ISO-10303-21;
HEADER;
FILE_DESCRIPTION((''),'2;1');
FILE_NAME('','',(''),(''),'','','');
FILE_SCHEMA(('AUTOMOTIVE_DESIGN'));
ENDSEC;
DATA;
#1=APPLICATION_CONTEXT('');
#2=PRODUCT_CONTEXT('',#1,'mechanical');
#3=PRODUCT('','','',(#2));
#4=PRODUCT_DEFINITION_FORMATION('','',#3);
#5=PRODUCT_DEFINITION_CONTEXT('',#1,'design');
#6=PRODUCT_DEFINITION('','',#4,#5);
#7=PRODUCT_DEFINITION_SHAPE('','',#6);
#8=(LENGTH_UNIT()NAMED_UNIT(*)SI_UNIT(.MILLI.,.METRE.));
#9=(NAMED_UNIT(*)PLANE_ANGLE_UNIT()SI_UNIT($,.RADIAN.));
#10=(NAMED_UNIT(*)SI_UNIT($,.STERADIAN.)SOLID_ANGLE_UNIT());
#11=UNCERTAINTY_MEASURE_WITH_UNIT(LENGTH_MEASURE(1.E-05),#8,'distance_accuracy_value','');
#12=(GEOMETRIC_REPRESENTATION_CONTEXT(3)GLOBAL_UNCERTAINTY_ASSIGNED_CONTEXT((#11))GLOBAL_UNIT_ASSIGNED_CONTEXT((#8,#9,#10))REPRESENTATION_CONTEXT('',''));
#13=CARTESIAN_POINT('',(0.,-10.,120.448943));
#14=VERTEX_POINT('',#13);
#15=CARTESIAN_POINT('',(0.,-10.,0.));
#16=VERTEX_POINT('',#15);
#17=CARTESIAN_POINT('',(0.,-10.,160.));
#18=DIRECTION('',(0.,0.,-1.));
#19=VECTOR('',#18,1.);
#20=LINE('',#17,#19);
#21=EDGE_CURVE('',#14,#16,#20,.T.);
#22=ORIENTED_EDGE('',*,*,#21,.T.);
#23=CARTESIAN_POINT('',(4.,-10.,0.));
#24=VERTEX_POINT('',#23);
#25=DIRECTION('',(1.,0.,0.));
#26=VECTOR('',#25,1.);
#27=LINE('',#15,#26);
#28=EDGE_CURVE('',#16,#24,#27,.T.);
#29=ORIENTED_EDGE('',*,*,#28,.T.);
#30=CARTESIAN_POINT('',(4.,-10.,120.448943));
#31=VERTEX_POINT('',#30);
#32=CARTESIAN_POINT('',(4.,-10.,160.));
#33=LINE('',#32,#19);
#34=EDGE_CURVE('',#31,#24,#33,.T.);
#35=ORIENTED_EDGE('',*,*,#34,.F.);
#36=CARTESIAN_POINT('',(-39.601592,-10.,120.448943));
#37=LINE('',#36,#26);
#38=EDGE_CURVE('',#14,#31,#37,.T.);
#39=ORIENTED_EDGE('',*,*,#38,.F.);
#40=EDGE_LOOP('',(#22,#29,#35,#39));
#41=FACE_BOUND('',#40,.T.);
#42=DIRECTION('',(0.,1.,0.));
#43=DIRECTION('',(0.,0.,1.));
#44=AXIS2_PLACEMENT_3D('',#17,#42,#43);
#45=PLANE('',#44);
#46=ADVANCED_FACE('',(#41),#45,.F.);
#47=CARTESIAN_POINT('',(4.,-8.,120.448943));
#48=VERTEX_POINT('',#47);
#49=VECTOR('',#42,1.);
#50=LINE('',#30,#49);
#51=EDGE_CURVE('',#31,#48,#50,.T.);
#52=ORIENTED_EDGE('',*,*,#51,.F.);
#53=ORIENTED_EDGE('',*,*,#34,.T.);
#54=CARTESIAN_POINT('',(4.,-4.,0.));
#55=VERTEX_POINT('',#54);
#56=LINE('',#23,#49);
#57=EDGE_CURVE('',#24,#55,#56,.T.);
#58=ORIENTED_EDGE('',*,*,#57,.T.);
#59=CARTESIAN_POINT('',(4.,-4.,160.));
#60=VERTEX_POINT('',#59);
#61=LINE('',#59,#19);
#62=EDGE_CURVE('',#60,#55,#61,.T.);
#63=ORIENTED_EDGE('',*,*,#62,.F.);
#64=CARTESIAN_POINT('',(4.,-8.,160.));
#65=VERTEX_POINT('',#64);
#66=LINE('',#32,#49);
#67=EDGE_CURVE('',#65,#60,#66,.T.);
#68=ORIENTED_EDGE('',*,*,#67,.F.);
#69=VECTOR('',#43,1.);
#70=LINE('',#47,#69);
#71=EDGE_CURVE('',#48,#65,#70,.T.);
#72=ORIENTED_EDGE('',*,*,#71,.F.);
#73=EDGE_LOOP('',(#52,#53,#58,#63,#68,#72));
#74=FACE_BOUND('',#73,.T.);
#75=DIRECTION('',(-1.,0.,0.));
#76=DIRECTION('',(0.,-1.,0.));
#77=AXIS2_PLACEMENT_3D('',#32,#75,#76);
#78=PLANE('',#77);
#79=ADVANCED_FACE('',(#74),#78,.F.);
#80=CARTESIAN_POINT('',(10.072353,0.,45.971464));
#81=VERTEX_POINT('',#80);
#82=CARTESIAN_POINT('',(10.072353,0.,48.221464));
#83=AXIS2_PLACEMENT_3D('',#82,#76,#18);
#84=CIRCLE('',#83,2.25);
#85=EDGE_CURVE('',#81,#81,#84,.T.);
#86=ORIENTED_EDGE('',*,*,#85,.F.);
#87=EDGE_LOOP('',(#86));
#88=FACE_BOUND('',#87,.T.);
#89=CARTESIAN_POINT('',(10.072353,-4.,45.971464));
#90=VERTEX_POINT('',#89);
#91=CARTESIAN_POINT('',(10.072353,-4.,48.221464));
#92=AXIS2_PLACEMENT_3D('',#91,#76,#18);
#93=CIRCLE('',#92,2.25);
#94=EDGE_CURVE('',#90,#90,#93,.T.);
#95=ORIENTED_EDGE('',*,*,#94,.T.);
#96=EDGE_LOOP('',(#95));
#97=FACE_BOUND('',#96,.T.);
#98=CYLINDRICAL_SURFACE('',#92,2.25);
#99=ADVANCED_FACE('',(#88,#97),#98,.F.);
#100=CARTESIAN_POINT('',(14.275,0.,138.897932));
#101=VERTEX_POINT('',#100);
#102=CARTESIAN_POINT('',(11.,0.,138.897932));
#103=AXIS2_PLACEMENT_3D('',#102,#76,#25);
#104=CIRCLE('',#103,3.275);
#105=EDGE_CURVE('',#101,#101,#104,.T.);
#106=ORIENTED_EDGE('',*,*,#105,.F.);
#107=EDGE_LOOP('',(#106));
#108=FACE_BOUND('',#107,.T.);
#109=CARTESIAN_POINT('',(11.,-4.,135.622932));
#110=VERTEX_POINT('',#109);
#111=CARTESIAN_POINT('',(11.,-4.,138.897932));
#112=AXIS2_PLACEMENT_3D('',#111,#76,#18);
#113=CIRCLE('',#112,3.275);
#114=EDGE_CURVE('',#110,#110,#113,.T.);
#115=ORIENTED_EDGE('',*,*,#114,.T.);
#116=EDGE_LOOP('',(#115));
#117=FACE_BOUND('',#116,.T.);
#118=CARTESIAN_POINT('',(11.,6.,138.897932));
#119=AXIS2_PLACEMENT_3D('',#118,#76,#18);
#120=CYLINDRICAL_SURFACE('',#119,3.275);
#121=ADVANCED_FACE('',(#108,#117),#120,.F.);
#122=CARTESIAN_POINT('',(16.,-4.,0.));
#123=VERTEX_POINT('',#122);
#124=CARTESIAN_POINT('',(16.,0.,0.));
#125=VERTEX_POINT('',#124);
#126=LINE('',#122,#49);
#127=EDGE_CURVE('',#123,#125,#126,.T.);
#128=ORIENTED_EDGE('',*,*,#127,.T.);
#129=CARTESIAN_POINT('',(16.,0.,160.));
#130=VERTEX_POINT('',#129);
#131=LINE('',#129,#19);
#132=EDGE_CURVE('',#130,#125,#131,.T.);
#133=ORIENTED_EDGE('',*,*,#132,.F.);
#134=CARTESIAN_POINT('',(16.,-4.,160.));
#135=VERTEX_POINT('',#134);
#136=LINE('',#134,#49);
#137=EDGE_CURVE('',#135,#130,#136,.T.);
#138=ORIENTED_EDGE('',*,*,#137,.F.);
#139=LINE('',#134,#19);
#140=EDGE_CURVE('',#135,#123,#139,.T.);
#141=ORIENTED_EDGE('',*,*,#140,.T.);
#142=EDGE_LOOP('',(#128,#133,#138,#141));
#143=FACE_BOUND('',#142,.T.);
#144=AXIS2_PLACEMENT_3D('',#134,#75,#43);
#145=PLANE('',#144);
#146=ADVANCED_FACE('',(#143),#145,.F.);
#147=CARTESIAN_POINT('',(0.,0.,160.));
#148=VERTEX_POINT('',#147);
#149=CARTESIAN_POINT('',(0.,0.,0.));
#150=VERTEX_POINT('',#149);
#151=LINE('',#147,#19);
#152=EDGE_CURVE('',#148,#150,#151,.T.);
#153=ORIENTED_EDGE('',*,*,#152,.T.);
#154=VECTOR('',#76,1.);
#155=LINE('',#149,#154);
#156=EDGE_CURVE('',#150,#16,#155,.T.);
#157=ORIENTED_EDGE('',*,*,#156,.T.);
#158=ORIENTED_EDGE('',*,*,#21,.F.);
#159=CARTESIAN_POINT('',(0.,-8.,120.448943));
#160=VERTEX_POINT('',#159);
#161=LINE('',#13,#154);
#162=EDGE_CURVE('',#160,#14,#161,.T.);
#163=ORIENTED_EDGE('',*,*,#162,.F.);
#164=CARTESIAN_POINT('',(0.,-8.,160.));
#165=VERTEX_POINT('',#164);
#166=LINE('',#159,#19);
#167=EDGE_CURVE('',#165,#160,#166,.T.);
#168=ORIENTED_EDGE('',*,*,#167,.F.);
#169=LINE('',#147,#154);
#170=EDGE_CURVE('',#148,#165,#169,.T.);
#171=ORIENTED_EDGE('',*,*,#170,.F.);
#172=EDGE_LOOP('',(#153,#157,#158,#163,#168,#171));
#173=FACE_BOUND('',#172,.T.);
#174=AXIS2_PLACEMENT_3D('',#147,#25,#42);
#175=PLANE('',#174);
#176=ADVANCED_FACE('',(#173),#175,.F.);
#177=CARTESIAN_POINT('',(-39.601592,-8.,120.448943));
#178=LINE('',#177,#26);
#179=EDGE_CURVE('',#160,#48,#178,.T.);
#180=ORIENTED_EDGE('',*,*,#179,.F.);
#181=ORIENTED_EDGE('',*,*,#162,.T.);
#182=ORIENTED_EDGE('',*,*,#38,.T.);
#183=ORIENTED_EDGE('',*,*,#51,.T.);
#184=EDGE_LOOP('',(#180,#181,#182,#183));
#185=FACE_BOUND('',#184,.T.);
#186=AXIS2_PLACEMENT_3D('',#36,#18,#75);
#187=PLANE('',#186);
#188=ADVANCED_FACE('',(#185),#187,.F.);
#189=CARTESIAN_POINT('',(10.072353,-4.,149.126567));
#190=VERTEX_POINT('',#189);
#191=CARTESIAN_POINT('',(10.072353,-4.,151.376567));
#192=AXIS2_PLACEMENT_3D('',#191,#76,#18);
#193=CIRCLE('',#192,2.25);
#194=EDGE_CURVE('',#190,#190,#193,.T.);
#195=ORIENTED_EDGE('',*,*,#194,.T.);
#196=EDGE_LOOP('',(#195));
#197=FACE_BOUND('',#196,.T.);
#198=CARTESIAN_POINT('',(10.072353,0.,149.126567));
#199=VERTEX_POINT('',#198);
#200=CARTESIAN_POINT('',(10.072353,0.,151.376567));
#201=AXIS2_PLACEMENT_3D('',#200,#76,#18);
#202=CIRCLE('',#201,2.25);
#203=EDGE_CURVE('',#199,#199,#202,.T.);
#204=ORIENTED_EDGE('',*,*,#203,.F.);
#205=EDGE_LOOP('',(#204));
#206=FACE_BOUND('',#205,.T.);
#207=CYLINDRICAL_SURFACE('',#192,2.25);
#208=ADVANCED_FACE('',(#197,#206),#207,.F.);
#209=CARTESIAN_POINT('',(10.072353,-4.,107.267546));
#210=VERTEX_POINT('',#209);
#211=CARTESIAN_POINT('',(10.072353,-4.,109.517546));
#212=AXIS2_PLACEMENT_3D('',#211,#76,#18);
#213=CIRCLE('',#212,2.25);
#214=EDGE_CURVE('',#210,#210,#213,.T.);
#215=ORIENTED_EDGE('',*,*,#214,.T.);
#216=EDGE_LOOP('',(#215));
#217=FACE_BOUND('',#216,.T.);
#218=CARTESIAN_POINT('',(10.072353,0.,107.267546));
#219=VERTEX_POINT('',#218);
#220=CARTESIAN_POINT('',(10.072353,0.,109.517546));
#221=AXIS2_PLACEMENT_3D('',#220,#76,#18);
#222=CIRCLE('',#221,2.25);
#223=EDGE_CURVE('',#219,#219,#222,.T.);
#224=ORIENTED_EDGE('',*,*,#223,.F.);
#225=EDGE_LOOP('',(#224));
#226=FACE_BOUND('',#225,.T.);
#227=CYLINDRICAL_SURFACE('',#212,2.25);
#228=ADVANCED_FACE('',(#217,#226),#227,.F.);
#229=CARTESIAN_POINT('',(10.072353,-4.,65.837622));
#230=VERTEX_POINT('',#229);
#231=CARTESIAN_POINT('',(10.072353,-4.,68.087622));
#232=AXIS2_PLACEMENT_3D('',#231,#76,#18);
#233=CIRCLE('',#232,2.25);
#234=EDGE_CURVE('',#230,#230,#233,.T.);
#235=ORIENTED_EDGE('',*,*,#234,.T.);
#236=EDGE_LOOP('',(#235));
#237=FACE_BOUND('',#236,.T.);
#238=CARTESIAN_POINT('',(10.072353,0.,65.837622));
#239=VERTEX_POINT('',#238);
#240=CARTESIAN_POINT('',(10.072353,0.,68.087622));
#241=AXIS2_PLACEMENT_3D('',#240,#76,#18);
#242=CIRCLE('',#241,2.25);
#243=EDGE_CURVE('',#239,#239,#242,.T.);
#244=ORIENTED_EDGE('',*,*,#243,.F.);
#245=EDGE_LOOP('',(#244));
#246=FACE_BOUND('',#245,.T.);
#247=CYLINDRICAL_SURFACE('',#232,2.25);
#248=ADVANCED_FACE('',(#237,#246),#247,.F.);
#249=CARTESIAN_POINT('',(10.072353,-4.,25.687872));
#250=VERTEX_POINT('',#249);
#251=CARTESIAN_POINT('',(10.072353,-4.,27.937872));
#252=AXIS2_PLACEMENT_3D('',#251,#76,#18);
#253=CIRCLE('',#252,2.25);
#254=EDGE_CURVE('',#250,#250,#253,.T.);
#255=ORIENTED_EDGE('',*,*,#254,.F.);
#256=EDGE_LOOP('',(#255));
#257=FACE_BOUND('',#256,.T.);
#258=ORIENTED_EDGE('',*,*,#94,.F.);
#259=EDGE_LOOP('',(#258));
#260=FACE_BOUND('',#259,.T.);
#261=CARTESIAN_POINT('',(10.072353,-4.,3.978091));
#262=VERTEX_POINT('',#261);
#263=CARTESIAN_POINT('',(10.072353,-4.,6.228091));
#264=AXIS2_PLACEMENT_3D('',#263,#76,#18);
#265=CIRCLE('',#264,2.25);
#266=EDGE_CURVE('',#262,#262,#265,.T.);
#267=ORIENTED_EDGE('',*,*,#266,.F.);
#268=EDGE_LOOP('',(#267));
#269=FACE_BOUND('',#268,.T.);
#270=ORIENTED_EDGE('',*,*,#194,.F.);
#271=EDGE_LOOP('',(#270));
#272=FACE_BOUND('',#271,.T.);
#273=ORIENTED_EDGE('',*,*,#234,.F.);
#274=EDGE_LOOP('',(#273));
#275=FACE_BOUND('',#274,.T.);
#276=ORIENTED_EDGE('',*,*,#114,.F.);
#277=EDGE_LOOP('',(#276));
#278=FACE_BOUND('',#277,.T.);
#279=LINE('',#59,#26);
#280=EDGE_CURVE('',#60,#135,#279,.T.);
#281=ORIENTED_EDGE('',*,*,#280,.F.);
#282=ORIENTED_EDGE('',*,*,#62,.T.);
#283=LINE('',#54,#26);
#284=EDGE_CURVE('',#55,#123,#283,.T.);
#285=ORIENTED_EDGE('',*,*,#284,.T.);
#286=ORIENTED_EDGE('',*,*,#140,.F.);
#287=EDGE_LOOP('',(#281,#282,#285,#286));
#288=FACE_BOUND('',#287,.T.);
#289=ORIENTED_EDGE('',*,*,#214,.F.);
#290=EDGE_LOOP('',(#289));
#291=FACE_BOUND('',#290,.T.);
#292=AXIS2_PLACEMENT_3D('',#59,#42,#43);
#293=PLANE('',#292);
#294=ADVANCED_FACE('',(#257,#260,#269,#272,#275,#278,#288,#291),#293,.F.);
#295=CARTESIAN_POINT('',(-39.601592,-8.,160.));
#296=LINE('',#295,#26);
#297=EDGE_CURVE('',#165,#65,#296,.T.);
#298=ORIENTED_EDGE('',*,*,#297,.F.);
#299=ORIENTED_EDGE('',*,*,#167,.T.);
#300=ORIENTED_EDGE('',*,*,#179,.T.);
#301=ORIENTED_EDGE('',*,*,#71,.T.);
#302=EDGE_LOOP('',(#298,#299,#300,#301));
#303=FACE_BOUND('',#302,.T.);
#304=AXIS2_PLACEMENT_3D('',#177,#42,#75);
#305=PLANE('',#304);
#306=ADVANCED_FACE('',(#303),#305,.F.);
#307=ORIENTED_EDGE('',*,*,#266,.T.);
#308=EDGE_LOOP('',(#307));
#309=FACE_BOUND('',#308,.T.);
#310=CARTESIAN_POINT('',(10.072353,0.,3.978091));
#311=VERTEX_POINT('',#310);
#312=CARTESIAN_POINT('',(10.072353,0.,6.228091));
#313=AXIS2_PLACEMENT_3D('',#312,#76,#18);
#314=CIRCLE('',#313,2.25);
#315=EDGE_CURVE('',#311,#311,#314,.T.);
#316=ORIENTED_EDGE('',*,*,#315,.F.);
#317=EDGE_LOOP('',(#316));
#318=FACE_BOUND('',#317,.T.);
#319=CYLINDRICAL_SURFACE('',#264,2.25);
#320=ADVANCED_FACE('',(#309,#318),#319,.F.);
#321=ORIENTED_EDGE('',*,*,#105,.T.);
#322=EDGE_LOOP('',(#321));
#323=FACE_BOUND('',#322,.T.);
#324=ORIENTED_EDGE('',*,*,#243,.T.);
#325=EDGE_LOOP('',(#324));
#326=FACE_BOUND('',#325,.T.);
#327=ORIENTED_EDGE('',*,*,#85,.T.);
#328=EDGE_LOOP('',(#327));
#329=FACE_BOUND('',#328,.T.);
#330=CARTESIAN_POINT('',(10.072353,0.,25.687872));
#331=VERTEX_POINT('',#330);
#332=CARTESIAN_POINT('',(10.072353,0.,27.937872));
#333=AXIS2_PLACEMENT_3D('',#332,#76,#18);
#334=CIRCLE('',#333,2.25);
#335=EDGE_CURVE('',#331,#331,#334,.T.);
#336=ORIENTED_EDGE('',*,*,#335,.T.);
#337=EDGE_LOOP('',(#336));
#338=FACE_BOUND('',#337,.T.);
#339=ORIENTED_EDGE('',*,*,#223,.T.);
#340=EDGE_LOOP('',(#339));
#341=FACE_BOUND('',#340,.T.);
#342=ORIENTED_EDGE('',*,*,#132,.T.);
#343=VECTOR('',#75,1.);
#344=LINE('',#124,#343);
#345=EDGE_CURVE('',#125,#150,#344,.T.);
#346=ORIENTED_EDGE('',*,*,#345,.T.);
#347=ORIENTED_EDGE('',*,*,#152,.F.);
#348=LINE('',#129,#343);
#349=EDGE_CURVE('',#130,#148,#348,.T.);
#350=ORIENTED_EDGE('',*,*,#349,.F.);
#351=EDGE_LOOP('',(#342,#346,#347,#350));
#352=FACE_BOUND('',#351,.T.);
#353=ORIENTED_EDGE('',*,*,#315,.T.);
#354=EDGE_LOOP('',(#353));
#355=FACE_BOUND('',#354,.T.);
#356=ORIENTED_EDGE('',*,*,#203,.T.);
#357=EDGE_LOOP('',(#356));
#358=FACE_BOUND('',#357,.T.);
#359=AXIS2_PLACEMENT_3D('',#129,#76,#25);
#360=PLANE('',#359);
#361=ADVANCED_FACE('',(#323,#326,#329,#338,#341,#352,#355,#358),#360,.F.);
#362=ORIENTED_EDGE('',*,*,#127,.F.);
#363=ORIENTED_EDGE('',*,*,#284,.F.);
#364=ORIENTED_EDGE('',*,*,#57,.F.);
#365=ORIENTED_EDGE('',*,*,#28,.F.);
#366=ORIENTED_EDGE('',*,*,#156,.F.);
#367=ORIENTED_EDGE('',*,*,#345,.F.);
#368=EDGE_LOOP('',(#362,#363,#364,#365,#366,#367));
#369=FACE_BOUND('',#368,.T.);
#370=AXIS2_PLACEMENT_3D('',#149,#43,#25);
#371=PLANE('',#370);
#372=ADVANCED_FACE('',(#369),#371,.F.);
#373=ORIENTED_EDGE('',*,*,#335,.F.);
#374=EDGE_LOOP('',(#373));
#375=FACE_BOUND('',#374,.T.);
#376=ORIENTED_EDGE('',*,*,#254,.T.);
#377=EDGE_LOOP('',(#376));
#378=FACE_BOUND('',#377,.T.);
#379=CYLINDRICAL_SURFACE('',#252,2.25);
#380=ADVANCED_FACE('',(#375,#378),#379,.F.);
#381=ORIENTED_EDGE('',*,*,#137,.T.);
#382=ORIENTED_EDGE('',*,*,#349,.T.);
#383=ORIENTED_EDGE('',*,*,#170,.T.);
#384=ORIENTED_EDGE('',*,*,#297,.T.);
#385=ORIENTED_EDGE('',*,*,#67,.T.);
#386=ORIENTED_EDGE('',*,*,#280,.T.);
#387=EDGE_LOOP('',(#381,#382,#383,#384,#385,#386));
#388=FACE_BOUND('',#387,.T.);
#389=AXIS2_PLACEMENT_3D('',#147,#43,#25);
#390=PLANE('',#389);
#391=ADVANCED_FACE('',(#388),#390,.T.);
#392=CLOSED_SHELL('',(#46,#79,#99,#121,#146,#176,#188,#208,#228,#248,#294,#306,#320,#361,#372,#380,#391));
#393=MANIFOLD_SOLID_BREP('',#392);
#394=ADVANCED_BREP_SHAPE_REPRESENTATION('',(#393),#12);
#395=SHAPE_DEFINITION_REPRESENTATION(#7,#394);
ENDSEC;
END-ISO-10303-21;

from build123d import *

# Parameters (mm, degrees)
BOSS_EXTRUDE1_DEPTH  = 160
SKETCH2_W            = 39.551056564
SKETCH2_H            = 2
CUT_EXTRUDE1_DEPTH   = 4
M4_CLEARANCE_HOLE1_D = 4.5
SKETCH5_R            = 3.275
CUT_EXTRUDE2_DEPTH   = 10


with BuildPart() as part:
    # Sketch1 → Boss-Extrude1 (new body)
    with BuildSketch(Plane.XY):
        Polygon((0, 0), (0, -10), (4, -10), (4, -4), (16, -4), (16, 0), align=None)
    extrude(amount=BOSS_EXTRUDE1_DEPTH)

    # Sketch2 → Cut-Extrude1 (cut)
    with BuildSketch(Plane(origin=(4, 0, 0), x_dir=(0, 0, -1), z_dir=(1, 0, 0))):
        with Locations((-140.224471718, -9)):
            Rectangle(SKETCH2_W, SKETCH2_H)
    extrude(amount=-CUT_EXTRUDE1_DEPTH, mode=Mode.SUBTRACT)

    # M4 Clearance Hole1 (through all)
    with Locations(Plane(origin=(0, -4, 0), x_dir=(-1, 0, 0), z_dir=(0, -1, 0))):
        with Locations((-10.072352995, -6.228090532), (-10.072352995, -27.937872474), (-10.072352995, -48.221464361), (-10.072352995, -68.087621842), (-10.072352995, -109.517546491), (-10.072352995, -151.376567413)):
            Hole(M4_CLEARANCE_HOLE1_D / 2)

    # Sketch5 → Cut-Extrude2 (cut)
    with BuildSketch(Plane.XZ.offset(4)):
        with Locations(Location((11, 138.897931951, 0), (0, 0, 270))):
            Circle(SKETCH5_R)
    extrude(amount=-CUT_EXTRUDE2_DEPTH, mode=Mode.SUBTRACT)


solid = part.part
